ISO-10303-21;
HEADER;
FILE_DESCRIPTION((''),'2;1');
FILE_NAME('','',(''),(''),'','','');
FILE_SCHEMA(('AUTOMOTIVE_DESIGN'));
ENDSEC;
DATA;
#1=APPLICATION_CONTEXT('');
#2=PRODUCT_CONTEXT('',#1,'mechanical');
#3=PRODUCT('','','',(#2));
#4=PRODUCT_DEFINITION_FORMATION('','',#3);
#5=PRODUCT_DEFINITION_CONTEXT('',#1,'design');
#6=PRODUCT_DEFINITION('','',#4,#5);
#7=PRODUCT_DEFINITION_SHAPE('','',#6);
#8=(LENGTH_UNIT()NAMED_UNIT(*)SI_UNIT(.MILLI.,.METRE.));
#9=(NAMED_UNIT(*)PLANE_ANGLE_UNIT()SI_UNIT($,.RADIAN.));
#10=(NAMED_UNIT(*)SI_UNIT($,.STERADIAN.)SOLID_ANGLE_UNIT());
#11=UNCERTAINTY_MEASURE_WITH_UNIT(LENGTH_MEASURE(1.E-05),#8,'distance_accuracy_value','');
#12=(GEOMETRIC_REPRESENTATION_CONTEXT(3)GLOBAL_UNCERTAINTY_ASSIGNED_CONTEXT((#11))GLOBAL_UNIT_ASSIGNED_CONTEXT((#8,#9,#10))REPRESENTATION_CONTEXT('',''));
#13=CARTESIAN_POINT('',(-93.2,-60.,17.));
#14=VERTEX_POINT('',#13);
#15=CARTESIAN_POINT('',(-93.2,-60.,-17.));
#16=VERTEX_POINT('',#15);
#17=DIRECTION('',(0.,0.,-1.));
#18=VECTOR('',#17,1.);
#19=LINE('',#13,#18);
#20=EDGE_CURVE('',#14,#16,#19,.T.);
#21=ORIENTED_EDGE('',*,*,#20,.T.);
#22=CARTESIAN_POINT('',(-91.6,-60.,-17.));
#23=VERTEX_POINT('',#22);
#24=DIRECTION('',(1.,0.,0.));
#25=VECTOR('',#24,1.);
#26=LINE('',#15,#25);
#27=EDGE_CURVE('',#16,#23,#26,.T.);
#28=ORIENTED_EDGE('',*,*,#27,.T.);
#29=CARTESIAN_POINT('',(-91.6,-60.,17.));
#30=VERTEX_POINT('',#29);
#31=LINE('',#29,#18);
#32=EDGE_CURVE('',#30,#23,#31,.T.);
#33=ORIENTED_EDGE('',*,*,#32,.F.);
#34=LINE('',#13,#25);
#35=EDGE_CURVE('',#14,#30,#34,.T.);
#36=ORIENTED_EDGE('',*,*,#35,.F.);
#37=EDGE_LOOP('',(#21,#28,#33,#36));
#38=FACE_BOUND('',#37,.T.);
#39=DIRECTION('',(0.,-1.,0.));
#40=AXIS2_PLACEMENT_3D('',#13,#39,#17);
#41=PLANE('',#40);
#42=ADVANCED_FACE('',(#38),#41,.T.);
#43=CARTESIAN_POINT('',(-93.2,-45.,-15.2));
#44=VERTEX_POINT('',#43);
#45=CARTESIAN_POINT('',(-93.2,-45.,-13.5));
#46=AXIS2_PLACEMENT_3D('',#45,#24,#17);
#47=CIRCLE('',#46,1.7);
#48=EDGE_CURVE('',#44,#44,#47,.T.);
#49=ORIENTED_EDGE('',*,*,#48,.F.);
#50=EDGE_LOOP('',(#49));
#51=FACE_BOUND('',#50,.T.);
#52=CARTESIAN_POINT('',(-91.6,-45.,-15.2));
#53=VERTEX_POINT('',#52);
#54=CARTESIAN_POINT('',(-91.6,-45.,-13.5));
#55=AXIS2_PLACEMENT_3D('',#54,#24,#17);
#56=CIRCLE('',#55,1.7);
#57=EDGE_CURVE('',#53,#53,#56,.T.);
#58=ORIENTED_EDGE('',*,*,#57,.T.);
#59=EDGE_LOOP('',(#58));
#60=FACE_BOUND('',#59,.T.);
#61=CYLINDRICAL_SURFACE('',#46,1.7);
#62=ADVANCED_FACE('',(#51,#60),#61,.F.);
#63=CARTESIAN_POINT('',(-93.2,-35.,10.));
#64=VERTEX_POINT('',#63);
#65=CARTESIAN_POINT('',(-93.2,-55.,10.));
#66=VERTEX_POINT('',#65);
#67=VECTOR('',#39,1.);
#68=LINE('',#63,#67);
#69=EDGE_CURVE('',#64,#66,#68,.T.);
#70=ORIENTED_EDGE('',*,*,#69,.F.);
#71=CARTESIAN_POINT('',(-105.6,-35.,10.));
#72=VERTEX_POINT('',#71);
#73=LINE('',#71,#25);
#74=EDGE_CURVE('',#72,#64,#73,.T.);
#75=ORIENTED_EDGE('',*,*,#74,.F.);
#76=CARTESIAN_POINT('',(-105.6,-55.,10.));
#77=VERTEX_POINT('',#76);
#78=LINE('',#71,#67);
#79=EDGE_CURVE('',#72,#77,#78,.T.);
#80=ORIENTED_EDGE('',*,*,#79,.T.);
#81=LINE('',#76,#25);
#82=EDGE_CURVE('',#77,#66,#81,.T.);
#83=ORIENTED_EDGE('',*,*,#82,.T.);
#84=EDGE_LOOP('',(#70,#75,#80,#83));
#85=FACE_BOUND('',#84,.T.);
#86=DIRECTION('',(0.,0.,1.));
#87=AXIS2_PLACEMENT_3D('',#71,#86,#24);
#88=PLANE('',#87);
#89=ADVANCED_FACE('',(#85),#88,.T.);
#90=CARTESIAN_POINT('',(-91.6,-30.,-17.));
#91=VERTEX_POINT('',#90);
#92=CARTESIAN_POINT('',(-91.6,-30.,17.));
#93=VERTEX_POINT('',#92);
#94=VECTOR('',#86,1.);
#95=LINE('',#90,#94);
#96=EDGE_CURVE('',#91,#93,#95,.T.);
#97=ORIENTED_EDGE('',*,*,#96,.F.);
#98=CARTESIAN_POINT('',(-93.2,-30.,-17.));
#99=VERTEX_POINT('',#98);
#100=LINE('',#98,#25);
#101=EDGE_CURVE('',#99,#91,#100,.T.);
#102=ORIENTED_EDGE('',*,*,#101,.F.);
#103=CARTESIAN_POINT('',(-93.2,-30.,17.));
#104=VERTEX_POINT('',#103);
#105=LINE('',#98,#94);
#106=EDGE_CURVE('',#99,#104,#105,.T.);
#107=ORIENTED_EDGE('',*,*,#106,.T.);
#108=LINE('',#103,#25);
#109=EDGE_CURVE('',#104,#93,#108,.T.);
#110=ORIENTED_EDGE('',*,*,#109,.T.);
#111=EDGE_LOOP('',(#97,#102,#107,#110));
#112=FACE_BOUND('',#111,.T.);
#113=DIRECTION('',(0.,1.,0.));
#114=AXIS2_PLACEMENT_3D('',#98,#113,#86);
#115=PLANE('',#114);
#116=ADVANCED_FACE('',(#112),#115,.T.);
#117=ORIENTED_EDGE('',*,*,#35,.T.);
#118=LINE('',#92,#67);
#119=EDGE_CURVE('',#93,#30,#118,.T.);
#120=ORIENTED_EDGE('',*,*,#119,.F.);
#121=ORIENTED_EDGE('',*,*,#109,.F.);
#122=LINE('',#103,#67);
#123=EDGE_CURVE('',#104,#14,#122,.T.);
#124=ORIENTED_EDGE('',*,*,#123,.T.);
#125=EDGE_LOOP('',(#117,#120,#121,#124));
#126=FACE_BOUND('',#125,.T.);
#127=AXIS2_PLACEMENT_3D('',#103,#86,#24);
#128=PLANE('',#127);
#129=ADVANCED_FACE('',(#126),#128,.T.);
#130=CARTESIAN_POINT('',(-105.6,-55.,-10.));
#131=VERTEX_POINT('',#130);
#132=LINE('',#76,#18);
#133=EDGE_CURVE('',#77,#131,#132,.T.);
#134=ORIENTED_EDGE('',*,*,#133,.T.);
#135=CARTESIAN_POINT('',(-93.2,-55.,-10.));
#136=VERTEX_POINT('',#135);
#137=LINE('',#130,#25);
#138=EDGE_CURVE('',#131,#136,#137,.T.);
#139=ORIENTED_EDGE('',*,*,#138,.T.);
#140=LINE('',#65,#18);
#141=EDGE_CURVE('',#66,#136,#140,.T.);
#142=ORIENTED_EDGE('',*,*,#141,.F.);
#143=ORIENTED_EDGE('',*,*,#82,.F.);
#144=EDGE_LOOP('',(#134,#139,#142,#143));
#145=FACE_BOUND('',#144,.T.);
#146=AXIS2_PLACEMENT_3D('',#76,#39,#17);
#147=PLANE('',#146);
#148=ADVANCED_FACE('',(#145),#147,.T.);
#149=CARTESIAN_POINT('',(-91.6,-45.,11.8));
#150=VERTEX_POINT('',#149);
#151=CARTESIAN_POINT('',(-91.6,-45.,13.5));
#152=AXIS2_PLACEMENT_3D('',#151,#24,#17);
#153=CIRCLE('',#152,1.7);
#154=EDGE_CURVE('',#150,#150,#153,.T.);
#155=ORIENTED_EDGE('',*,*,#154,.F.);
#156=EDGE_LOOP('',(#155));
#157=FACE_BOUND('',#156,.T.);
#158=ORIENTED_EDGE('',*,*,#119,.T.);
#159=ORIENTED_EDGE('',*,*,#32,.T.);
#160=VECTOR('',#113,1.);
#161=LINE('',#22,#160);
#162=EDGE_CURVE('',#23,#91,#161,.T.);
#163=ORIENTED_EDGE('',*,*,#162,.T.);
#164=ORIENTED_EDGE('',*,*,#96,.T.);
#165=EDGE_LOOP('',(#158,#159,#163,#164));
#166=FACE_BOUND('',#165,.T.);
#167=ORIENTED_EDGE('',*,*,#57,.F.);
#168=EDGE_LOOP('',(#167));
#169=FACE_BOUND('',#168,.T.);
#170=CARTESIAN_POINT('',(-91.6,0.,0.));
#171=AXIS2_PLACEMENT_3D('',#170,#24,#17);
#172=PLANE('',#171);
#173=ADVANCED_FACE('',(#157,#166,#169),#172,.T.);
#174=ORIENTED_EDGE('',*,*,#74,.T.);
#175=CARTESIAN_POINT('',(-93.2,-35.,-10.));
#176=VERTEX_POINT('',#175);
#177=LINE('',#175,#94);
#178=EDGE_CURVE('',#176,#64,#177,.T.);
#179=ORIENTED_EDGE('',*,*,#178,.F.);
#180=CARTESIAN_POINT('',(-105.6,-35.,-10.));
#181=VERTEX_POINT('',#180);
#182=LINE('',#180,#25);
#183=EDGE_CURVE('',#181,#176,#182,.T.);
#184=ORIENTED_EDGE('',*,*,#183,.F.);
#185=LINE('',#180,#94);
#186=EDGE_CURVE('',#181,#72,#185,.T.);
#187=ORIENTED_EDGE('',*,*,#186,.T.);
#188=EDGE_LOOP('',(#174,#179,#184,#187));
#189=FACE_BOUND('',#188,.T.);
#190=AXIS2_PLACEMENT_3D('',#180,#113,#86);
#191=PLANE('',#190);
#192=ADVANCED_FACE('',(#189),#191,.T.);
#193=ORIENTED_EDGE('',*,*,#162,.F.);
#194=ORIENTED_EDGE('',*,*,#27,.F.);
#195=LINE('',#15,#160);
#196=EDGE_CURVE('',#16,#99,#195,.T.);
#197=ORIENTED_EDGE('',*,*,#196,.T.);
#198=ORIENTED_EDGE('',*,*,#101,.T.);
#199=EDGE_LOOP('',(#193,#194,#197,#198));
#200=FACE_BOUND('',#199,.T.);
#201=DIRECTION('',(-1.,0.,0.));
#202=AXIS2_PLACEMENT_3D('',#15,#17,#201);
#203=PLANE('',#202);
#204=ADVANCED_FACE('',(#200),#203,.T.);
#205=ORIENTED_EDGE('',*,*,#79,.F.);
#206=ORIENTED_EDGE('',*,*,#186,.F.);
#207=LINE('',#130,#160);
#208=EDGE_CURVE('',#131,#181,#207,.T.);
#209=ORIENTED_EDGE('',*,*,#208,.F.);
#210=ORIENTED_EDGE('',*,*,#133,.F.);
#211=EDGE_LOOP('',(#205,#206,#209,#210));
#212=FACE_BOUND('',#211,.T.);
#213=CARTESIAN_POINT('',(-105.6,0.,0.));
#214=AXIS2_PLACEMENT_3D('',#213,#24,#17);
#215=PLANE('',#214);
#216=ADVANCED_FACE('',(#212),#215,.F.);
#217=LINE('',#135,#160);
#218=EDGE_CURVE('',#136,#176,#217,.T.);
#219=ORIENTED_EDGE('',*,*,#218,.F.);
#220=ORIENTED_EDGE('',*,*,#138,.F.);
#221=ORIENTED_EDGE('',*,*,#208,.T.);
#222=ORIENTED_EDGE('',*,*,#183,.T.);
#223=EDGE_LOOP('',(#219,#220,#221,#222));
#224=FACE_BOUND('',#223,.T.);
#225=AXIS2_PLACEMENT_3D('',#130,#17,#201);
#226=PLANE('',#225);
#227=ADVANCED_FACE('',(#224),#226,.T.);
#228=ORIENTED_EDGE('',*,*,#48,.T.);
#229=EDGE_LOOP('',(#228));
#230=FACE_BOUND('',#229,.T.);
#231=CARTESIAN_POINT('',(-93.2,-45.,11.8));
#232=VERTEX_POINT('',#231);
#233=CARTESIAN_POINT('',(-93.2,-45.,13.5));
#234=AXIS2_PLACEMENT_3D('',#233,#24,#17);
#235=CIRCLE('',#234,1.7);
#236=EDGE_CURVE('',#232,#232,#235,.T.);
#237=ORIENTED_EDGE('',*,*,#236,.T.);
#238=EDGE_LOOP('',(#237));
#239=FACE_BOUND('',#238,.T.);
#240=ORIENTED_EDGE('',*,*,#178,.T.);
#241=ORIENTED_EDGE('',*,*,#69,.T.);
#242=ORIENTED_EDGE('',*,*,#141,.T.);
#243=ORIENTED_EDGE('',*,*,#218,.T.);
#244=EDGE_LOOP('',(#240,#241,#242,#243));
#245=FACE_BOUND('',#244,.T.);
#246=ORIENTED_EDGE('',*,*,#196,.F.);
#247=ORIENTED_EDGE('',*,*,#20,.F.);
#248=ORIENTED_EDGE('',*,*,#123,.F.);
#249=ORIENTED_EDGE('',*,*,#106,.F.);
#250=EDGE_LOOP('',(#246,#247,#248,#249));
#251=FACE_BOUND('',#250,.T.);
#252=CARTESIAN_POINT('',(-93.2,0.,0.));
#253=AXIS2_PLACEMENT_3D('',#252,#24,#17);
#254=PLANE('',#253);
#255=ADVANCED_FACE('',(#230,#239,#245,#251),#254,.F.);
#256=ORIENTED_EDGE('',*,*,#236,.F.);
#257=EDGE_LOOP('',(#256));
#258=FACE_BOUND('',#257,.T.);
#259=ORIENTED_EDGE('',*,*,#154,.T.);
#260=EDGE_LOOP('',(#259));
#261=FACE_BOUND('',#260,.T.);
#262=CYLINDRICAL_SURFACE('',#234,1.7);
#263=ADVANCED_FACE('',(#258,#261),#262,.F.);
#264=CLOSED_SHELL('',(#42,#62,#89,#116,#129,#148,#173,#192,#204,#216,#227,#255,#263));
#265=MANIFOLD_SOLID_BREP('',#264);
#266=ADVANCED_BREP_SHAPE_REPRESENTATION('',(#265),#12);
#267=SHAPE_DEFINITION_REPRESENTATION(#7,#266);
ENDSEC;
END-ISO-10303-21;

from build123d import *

# Parameters (mm, degrees)
PLATE_START              = -91.6
PLATE_SKETCH_W           = 34
PLATE_SKETCH_H           = 30
PLATE_SKETCH_R           = 1.7
PLATE_DEPTH              = 1.6
MATEK_START              = -93.2
MATEK_M10Q_5883_SKETCH_W = 20
MATEK_M10Q_5883_SKETCH_H = 20
MATEK_M10Q_5883_DEPTH    = 12.4


with BuildPart() as part:
    # Plate Sketch → Plate (new body)
    with BuildSketch(Plane(origin=(0, 0, 0), x_dir=(0, 0, -1), z_dir=(1, 0, 0)).offset(PLATE_START)):
        with Locations((0, -45)):
            Rectangle(PLATE_SKETCH_W, PLATE_SKETCH_H)
        with Locations((13.5, -45)):
            Circle(PLATE_SKETCH_R, mode=Mode.SUBTRACT)
        with Locations((-13.5, -45)):
            Circle(PLATE_SKETCH_R, mode=Mode.SUBTRACT)
    extrude(amount=-PLATE_DEPTH)

    # Matek M10Q-5883 Sketch → Matek M10Q-5883 (add)
    with BuildSketch(Plane(origin=(0, 0, 0), x_dir=(0, 0, -1), z_dir=(1, 0, 0)).offset(MATEK_START)):
        with Locations((0, -45)):
            Rectangle(MATEK_M10Q_5883_SKETCH_W, MATEK_M10Q_5883_SKETCH_H)
    extrude(amount=-MATEK_M10Q_5883_DEPTH)


solid = part.part
